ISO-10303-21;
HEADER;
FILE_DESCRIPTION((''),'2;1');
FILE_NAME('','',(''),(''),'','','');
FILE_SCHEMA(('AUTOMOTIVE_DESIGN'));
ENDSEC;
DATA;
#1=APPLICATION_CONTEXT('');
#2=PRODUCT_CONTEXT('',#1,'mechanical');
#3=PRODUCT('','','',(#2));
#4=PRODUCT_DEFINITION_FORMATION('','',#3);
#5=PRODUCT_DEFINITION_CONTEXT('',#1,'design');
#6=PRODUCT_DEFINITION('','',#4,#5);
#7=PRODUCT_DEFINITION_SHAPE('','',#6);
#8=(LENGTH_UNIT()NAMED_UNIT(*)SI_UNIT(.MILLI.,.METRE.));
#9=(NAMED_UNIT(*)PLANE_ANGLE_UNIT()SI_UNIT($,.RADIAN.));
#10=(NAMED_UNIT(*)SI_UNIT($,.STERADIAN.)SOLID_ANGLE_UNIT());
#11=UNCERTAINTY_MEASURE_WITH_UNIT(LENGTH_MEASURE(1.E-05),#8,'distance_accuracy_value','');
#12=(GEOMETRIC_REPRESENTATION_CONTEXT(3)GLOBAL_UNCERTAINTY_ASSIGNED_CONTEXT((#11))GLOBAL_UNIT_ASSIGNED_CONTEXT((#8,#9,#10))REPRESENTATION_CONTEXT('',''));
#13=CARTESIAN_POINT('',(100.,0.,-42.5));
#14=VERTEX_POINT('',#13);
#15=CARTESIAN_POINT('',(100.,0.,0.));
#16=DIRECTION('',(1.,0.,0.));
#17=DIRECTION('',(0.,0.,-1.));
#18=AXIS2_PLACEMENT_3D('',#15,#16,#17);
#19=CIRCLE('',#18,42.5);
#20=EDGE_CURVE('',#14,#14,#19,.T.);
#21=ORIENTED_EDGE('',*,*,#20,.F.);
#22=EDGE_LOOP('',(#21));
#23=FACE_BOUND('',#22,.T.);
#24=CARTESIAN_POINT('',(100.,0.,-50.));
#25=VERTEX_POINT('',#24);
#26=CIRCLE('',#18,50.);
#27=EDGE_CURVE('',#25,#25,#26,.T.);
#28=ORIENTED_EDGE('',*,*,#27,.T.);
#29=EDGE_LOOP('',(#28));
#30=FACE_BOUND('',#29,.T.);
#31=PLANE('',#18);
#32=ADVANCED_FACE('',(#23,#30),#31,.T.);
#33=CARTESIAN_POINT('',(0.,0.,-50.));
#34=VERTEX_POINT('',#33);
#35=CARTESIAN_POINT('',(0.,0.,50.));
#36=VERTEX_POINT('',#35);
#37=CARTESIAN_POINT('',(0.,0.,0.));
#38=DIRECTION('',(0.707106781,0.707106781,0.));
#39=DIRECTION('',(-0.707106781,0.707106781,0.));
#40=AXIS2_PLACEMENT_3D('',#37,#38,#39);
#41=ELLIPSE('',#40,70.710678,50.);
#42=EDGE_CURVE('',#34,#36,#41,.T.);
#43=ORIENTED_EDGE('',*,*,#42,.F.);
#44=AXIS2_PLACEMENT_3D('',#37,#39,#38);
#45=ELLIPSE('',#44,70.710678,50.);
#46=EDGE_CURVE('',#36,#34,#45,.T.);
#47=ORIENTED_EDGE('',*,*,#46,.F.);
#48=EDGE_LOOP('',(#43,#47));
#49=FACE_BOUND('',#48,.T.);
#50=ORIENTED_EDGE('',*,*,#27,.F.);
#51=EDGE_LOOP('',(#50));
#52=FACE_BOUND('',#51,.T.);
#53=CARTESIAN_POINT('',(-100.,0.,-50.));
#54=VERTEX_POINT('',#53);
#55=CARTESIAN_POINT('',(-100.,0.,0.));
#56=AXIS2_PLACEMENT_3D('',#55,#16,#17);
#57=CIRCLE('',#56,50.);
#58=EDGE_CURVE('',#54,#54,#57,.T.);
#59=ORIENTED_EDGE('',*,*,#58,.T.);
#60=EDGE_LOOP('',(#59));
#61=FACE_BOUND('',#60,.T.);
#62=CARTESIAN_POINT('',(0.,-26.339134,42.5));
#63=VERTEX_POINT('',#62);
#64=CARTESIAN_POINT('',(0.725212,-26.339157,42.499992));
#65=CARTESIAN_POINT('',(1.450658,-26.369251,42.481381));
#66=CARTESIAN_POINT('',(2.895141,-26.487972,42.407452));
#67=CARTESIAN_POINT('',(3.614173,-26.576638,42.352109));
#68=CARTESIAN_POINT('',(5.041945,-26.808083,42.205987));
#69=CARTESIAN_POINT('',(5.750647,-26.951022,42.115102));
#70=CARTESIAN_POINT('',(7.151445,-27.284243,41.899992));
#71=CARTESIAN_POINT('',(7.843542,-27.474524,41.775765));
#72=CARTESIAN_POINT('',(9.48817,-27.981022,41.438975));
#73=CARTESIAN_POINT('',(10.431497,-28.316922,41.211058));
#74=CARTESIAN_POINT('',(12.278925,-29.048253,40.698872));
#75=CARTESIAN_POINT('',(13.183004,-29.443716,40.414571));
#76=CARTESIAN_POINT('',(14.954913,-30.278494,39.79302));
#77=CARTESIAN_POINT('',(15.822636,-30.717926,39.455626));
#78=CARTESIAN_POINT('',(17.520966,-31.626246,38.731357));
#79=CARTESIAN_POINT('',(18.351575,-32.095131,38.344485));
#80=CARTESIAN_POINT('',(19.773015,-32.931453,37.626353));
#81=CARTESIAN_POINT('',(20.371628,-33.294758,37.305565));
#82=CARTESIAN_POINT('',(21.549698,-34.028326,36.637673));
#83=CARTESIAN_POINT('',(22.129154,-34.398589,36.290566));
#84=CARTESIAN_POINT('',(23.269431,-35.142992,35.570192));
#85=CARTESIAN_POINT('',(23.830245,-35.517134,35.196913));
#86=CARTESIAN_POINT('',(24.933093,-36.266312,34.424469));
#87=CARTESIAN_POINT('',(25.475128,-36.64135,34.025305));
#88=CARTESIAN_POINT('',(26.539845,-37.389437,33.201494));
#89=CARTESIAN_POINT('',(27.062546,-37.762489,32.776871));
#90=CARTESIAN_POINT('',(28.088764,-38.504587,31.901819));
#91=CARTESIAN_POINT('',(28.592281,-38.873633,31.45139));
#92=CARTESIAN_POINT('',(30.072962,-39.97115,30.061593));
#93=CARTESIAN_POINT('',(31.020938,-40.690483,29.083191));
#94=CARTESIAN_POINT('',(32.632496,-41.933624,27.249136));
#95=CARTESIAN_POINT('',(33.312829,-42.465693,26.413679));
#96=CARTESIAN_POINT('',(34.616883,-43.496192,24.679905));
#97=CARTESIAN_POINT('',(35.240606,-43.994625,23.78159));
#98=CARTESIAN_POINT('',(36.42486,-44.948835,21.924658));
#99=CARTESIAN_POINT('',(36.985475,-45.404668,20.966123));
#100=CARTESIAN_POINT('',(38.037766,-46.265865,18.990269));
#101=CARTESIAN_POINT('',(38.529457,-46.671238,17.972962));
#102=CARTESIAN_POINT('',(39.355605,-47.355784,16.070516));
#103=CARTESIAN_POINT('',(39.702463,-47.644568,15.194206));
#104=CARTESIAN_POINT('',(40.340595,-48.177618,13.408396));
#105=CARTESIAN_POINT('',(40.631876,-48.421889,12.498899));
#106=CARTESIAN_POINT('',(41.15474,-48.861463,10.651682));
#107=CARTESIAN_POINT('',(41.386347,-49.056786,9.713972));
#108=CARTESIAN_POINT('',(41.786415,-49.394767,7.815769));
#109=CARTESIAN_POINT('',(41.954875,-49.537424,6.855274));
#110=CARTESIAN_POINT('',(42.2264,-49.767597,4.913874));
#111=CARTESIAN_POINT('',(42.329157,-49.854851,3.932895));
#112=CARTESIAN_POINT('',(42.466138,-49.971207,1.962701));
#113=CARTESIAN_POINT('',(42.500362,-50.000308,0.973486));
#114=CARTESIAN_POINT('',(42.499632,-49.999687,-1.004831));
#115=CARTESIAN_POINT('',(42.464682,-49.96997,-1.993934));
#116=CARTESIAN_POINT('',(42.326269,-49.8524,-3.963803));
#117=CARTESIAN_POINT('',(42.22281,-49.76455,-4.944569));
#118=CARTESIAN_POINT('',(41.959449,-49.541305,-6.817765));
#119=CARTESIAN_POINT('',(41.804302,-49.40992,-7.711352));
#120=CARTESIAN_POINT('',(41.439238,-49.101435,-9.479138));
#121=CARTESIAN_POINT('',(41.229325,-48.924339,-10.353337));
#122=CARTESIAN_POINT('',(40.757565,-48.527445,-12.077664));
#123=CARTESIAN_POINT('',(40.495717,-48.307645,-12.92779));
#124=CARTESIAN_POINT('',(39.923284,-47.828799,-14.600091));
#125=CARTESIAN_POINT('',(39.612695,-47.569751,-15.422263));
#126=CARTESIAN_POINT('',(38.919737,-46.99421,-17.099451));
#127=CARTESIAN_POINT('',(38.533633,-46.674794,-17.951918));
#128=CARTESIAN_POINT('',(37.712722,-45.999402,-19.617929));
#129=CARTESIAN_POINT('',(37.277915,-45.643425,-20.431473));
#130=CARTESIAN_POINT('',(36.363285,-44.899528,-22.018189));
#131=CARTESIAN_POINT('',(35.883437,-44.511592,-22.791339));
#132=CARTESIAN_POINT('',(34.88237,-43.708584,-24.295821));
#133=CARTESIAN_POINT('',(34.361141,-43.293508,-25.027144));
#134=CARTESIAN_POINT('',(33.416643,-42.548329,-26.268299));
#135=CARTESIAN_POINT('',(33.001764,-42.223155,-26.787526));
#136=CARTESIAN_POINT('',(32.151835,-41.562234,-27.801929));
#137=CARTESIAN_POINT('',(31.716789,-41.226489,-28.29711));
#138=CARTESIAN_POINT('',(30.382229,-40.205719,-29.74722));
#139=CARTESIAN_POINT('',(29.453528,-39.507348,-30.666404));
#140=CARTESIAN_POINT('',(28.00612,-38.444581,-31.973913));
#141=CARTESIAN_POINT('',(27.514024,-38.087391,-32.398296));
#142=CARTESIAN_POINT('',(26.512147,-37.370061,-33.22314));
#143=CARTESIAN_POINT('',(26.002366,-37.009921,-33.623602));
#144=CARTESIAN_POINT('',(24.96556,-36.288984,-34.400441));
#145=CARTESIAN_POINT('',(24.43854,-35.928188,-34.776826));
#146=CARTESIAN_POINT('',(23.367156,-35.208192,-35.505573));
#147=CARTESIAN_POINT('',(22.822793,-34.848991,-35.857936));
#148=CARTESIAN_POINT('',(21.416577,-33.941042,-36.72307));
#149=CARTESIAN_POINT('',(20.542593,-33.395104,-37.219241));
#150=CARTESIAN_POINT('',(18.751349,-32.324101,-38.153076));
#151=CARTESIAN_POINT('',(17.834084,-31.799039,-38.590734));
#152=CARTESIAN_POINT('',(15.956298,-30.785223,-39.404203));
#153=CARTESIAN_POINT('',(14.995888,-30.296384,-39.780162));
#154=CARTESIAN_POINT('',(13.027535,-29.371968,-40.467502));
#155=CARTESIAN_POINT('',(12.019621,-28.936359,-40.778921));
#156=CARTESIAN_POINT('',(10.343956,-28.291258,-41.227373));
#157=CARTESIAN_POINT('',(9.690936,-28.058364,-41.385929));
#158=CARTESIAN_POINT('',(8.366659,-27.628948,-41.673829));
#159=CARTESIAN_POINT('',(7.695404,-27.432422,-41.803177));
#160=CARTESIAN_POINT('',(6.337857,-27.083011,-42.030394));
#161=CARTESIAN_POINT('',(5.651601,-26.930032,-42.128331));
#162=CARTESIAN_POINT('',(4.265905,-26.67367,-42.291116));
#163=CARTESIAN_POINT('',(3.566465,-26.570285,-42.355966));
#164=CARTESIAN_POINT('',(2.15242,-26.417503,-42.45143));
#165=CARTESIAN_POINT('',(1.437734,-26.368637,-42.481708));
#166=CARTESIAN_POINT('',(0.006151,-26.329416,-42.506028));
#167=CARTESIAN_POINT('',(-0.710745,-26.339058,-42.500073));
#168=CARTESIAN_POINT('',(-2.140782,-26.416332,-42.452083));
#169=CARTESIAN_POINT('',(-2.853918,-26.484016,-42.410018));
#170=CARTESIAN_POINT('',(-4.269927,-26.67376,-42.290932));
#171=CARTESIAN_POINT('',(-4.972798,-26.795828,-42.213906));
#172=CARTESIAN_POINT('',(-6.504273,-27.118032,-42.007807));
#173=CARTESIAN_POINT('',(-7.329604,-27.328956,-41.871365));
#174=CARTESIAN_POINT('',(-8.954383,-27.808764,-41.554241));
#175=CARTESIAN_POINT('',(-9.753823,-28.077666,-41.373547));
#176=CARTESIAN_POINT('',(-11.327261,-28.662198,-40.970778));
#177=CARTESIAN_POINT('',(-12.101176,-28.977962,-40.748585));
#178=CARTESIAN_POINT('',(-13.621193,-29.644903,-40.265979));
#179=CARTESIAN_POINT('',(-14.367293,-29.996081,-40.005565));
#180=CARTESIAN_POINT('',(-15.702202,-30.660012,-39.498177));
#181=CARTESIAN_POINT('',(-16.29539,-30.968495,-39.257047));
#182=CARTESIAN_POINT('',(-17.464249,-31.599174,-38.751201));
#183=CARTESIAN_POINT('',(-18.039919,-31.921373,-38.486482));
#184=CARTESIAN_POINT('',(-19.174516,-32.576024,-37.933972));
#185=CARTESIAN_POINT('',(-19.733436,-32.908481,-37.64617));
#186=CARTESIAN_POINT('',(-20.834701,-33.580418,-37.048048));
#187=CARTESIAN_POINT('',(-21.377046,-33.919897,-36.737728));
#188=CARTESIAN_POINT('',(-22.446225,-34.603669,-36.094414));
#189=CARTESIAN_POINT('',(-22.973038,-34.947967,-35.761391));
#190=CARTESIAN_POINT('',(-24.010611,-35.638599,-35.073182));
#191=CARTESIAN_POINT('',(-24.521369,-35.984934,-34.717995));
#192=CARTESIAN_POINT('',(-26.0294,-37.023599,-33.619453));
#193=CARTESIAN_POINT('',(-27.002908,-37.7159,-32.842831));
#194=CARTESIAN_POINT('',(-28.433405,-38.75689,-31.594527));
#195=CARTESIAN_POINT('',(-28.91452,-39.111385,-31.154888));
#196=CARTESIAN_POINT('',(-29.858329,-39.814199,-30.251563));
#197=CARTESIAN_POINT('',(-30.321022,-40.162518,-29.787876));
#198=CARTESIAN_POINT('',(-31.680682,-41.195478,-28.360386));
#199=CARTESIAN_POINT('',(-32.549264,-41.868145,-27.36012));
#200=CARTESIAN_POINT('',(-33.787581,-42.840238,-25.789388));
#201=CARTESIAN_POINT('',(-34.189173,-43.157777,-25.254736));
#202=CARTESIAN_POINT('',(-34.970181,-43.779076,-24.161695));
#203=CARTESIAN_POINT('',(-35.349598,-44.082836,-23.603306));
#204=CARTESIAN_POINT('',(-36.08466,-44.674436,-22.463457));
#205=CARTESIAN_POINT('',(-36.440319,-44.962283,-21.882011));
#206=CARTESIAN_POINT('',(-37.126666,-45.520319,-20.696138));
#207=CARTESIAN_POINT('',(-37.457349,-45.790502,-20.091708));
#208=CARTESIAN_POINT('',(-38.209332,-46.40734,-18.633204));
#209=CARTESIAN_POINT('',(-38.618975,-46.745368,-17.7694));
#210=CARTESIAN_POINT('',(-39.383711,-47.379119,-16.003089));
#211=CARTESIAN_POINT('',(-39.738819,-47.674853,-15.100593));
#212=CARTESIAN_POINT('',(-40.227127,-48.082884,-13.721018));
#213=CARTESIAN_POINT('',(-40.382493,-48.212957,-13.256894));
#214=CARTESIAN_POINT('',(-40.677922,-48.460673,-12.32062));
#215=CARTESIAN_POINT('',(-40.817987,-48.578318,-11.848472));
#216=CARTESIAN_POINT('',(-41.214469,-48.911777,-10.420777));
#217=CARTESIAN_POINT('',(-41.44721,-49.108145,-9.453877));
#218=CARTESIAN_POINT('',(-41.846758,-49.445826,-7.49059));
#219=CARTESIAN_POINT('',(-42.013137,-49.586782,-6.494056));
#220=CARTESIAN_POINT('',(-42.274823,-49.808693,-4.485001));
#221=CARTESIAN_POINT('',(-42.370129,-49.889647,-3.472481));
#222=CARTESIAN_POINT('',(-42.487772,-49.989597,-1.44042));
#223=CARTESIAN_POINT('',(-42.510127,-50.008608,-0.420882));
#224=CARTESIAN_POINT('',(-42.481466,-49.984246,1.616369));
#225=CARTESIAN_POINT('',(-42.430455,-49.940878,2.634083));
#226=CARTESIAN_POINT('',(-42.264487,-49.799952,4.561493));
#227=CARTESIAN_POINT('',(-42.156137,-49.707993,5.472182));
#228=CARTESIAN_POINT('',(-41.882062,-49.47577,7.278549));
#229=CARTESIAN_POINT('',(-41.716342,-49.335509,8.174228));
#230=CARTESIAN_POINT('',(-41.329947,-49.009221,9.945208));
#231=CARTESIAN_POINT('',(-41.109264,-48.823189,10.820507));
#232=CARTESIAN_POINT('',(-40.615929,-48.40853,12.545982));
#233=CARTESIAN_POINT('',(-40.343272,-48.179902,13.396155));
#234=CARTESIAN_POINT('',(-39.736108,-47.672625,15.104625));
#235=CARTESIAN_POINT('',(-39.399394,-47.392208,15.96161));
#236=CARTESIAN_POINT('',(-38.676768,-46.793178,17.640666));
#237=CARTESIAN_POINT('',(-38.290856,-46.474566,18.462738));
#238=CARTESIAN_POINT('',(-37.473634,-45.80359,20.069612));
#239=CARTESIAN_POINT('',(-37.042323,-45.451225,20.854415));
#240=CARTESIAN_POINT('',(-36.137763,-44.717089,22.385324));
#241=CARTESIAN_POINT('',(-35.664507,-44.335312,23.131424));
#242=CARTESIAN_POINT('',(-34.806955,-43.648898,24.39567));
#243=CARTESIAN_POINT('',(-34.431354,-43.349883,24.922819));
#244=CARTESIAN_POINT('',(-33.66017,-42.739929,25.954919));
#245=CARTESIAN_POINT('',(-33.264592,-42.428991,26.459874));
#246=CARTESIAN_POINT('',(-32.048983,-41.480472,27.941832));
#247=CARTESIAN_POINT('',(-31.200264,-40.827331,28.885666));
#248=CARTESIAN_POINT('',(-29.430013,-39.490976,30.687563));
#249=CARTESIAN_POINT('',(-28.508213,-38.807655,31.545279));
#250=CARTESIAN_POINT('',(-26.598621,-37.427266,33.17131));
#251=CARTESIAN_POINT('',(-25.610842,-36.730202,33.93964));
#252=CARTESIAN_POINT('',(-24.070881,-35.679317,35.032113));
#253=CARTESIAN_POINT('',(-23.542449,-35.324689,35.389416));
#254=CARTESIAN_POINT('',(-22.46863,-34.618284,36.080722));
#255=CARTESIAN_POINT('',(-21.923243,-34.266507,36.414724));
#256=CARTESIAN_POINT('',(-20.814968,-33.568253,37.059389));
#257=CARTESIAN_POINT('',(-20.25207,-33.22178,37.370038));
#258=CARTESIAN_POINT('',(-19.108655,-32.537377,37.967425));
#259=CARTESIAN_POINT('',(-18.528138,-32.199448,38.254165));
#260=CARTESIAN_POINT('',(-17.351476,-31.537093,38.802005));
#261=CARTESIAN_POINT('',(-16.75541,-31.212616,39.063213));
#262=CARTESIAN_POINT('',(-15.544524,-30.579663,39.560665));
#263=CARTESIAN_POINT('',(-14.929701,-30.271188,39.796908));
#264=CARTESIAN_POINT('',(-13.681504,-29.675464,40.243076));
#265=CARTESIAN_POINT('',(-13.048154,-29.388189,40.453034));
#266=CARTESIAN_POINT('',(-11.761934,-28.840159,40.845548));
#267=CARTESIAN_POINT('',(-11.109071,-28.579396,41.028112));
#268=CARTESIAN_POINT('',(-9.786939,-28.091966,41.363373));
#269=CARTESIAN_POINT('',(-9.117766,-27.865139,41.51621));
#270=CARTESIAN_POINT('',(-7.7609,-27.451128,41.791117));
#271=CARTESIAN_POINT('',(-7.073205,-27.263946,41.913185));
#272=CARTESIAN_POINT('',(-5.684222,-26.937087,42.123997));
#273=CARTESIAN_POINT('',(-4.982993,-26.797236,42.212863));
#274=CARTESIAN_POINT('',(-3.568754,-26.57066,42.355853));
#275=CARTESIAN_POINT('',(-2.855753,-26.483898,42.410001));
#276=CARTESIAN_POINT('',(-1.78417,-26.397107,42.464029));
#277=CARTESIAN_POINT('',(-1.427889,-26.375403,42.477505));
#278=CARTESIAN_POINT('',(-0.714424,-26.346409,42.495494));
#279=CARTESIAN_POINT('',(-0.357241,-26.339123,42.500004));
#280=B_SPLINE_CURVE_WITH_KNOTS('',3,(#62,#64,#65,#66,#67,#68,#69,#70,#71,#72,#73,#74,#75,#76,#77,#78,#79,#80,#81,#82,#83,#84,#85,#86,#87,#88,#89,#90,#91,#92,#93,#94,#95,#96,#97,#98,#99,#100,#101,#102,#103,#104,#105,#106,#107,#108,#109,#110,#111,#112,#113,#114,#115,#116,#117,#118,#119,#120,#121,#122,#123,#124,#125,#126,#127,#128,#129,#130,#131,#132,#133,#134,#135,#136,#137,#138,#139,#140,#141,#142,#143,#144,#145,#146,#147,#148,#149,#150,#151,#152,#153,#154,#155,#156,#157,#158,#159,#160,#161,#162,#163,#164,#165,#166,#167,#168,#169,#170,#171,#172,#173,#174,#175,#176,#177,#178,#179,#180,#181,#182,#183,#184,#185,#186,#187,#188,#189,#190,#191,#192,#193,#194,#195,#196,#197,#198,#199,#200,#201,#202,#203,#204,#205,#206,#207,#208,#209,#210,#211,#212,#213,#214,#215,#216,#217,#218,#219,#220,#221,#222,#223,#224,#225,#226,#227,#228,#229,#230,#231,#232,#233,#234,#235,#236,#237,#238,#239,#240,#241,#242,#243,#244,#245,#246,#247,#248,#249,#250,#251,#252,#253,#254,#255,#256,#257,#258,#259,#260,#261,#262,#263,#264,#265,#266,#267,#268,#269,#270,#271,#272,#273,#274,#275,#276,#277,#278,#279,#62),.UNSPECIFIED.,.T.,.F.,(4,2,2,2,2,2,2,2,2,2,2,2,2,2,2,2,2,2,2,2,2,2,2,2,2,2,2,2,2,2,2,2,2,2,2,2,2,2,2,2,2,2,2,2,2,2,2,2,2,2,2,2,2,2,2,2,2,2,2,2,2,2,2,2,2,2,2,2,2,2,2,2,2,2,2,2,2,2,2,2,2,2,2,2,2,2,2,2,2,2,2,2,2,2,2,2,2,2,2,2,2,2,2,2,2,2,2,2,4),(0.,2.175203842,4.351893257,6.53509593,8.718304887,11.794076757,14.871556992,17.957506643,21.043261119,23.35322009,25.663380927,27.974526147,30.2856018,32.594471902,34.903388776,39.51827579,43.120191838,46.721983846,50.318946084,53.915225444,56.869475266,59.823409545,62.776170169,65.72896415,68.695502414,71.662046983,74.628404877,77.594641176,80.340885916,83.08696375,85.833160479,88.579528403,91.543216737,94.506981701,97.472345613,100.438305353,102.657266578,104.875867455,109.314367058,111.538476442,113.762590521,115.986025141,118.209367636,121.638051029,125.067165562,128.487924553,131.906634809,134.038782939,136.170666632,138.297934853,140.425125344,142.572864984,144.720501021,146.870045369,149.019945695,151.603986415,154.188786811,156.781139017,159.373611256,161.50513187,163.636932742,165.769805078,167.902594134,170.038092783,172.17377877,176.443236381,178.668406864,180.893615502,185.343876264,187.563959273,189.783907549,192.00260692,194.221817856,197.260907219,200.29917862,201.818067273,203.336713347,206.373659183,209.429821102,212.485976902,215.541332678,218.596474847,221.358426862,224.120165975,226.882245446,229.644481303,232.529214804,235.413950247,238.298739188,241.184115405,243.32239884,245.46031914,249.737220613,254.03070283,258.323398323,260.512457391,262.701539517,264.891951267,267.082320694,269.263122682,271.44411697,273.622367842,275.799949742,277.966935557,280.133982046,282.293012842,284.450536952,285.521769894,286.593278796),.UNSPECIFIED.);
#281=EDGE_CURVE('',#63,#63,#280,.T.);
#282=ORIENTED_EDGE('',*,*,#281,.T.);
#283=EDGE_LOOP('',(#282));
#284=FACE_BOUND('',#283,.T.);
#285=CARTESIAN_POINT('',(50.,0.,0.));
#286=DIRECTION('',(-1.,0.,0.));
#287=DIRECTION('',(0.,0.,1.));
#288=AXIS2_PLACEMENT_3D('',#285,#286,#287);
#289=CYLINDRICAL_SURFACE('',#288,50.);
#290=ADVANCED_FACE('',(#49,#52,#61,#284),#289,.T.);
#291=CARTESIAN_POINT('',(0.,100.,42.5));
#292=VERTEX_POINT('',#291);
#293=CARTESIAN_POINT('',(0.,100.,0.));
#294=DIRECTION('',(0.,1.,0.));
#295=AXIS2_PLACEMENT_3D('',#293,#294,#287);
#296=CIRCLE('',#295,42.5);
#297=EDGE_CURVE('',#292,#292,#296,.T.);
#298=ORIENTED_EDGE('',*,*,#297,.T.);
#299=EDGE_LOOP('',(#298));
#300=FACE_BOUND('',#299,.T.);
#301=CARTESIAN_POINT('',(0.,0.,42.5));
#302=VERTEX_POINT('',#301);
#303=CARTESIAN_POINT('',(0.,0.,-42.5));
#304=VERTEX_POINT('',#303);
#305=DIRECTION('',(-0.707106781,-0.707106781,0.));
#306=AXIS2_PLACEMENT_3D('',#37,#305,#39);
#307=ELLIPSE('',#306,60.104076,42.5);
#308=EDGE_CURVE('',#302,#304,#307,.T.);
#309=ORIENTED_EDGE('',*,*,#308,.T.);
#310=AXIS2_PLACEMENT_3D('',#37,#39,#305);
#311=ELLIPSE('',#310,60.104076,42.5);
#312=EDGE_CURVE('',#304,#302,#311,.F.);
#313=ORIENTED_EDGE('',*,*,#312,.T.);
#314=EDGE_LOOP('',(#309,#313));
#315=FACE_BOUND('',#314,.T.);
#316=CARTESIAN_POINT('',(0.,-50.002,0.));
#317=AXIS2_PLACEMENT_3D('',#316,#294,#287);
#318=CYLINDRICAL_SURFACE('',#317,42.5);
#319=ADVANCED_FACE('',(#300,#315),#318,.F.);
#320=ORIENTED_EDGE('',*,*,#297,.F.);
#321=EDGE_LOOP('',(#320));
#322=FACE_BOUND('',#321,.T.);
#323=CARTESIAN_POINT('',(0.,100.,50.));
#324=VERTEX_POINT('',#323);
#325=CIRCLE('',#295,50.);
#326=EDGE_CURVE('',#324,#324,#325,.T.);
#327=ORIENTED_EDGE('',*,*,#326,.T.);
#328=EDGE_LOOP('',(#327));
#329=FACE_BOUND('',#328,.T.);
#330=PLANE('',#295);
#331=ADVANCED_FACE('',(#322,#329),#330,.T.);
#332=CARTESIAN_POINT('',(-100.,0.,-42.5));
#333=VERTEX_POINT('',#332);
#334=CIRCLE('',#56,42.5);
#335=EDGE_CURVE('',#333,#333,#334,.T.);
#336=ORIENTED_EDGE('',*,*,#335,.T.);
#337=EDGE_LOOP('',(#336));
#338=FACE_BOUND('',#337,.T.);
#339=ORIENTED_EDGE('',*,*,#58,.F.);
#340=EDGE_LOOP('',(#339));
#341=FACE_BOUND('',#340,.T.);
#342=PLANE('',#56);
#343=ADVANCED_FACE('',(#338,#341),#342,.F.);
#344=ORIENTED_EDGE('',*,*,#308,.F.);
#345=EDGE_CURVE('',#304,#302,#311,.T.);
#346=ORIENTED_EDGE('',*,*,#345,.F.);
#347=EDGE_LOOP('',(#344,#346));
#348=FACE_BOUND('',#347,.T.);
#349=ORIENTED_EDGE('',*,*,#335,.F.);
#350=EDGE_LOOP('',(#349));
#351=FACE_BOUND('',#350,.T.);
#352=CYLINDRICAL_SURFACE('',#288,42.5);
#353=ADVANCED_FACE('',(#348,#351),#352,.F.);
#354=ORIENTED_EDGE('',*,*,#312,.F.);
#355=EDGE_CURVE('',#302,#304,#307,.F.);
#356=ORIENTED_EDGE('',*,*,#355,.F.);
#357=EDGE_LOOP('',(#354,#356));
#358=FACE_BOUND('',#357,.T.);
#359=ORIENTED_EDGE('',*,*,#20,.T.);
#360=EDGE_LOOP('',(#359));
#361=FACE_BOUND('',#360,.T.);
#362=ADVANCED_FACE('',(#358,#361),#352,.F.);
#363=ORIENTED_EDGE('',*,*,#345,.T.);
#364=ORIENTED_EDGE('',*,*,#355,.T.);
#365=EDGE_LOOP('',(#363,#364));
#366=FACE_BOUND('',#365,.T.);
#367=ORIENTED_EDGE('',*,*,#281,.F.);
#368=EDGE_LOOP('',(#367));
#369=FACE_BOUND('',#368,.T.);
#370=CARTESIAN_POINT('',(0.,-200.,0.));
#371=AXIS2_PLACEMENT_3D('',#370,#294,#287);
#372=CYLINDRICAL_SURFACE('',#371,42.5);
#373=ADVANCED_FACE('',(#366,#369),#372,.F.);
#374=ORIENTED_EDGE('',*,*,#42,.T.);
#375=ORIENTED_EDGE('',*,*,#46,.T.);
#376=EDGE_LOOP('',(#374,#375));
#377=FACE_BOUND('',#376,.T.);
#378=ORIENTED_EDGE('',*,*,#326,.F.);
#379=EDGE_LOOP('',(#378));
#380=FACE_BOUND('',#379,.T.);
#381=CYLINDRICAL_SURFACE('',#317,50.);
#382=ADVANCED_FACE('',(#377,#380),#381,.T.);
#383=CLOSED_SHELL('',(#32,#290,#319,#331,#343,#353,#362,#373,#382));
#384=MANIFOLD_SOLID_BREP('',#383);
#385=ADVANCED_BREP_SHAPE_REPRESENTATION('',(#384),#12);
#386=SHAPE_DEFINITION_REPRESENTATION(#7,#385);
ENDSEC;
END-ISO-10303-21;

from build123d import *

# Parameters (mm, degrees)
SKETCH_1_R           = 50
SKETCH_1_R_2         = 42.5
EXTRUDE_1_DEPTH      = 50
SKETCH_1_2_R         = 50
SKETCH_1_2_R_2       = 42.5
EXTRUDE_2_DEPTH      = 100
EXTRUDE_3_REACH      = 189.083
EXTRUDE_3_END_RADIUS = 50
SKETCH_2_R           = 50
SKETCH_2_R_2         = 42.5
SKETCH_3_R           = 42.5
CUT_EXTRUDE_1_DEPTH  = 200
SKETCH_3_2_R         = 42.5
CUT_EXTRUDE_2_DEPTH  = 100


with BuildPart() as part:
    # 草图1 → 凸台-拉伸1 (new, symmetric)
    with BuildSketch(Plane(origin=(0, 0, 0), x_dir=(0, 0, -1), z_dir=(1, 0, 0))):
        Circle(SKETCH_1_R)
        Circle(SKETCH_1_R_2, mode=Mode.SUBTRACT)
    extrude(amount=EXTRUDE_1_DEPTH, both=True)

    # 草图1<2> → 凸台-拉伸2 (add, symmetric)
    with BuildSketch(Plane(origin=(0, 0, 0), x_dir=(0, 0, -1), z_dir=(1, 0, 0))):
        Circle(SKETCH_1_2_R)
        Circle(SKETCH_1_2_R_2, mode=Mode.SUBTRACT)
    extrude(amount=EXTRUDE_2_DEPTH, both=True)

    # 凸台-拉伸3: up to this cylinder (the profile starts outside it)
    extrude_3_end = Plane(origin=(0, 0, 0), z_dir=(-1, 0, 0)) * Cylinder(EXTRUDE_3_END_RADIUS, 479.166, mode=Mode.PRIVATE)
    # 草图2 → 凸台-拉伸3 (add, up to the surface)
    with BuildSketch(Plane(origin=(0, 100, 0), x_dir=(1, 0, 0), z_dir=(0, 1, 0)), mode=Mode.PRIVATE) as extrude_3_sk1:
        with Locations(Location((0, 0, 0), (0, 0, 270))):
            Circle(SKETCH_2_R)
        with Locations(Location((0, 0, 0), (0, 0, 270))):
            Circle(SKETCH_2_R_2, mode=Mode.SUBTRACT)
    extrude_3_tool1 = extrude(extrude_3_sk1.sketch, amount=-EXTRUDE_3_REACH, mode=Mode.PRIVATE) - extrude_3_end
    add(extrude_3_tool1.solids().sort_by_distance((0, 100, -48.585786))[0])

    # 草图3 → 切除-拉伸1 (cut)
    with BuildSketch(Plane(origin=(0, 0, 0), x_dir=(1, 0, 0), z_dir=(0, 1, 0))):
        with Locations(Location((0, 0, 0), (0, 0, 270))):
            Circle(SKETCH_3_R)
    extrude(amount=-CUT_EXTRUDE_1_DEPTH, mode=Mode.SUBTRACT)

    # 草图3<2> → 切除-拉伸2 (cut, symmetric)
    with BuildSketch(Plane(origin=(0, 0, 0), x_dir=(1, 0, 0), z_dir=(0, 1, 0))):
        with Locations(Location((0, 0, 0), (0, 0, 270))):
            Circle(SKETCH_3_2_R)
    extrude(amount=CUT_EXTRUDE_2_DEPTH, both=True, mode=Mode.SUBTRACT)


solid = part.part
